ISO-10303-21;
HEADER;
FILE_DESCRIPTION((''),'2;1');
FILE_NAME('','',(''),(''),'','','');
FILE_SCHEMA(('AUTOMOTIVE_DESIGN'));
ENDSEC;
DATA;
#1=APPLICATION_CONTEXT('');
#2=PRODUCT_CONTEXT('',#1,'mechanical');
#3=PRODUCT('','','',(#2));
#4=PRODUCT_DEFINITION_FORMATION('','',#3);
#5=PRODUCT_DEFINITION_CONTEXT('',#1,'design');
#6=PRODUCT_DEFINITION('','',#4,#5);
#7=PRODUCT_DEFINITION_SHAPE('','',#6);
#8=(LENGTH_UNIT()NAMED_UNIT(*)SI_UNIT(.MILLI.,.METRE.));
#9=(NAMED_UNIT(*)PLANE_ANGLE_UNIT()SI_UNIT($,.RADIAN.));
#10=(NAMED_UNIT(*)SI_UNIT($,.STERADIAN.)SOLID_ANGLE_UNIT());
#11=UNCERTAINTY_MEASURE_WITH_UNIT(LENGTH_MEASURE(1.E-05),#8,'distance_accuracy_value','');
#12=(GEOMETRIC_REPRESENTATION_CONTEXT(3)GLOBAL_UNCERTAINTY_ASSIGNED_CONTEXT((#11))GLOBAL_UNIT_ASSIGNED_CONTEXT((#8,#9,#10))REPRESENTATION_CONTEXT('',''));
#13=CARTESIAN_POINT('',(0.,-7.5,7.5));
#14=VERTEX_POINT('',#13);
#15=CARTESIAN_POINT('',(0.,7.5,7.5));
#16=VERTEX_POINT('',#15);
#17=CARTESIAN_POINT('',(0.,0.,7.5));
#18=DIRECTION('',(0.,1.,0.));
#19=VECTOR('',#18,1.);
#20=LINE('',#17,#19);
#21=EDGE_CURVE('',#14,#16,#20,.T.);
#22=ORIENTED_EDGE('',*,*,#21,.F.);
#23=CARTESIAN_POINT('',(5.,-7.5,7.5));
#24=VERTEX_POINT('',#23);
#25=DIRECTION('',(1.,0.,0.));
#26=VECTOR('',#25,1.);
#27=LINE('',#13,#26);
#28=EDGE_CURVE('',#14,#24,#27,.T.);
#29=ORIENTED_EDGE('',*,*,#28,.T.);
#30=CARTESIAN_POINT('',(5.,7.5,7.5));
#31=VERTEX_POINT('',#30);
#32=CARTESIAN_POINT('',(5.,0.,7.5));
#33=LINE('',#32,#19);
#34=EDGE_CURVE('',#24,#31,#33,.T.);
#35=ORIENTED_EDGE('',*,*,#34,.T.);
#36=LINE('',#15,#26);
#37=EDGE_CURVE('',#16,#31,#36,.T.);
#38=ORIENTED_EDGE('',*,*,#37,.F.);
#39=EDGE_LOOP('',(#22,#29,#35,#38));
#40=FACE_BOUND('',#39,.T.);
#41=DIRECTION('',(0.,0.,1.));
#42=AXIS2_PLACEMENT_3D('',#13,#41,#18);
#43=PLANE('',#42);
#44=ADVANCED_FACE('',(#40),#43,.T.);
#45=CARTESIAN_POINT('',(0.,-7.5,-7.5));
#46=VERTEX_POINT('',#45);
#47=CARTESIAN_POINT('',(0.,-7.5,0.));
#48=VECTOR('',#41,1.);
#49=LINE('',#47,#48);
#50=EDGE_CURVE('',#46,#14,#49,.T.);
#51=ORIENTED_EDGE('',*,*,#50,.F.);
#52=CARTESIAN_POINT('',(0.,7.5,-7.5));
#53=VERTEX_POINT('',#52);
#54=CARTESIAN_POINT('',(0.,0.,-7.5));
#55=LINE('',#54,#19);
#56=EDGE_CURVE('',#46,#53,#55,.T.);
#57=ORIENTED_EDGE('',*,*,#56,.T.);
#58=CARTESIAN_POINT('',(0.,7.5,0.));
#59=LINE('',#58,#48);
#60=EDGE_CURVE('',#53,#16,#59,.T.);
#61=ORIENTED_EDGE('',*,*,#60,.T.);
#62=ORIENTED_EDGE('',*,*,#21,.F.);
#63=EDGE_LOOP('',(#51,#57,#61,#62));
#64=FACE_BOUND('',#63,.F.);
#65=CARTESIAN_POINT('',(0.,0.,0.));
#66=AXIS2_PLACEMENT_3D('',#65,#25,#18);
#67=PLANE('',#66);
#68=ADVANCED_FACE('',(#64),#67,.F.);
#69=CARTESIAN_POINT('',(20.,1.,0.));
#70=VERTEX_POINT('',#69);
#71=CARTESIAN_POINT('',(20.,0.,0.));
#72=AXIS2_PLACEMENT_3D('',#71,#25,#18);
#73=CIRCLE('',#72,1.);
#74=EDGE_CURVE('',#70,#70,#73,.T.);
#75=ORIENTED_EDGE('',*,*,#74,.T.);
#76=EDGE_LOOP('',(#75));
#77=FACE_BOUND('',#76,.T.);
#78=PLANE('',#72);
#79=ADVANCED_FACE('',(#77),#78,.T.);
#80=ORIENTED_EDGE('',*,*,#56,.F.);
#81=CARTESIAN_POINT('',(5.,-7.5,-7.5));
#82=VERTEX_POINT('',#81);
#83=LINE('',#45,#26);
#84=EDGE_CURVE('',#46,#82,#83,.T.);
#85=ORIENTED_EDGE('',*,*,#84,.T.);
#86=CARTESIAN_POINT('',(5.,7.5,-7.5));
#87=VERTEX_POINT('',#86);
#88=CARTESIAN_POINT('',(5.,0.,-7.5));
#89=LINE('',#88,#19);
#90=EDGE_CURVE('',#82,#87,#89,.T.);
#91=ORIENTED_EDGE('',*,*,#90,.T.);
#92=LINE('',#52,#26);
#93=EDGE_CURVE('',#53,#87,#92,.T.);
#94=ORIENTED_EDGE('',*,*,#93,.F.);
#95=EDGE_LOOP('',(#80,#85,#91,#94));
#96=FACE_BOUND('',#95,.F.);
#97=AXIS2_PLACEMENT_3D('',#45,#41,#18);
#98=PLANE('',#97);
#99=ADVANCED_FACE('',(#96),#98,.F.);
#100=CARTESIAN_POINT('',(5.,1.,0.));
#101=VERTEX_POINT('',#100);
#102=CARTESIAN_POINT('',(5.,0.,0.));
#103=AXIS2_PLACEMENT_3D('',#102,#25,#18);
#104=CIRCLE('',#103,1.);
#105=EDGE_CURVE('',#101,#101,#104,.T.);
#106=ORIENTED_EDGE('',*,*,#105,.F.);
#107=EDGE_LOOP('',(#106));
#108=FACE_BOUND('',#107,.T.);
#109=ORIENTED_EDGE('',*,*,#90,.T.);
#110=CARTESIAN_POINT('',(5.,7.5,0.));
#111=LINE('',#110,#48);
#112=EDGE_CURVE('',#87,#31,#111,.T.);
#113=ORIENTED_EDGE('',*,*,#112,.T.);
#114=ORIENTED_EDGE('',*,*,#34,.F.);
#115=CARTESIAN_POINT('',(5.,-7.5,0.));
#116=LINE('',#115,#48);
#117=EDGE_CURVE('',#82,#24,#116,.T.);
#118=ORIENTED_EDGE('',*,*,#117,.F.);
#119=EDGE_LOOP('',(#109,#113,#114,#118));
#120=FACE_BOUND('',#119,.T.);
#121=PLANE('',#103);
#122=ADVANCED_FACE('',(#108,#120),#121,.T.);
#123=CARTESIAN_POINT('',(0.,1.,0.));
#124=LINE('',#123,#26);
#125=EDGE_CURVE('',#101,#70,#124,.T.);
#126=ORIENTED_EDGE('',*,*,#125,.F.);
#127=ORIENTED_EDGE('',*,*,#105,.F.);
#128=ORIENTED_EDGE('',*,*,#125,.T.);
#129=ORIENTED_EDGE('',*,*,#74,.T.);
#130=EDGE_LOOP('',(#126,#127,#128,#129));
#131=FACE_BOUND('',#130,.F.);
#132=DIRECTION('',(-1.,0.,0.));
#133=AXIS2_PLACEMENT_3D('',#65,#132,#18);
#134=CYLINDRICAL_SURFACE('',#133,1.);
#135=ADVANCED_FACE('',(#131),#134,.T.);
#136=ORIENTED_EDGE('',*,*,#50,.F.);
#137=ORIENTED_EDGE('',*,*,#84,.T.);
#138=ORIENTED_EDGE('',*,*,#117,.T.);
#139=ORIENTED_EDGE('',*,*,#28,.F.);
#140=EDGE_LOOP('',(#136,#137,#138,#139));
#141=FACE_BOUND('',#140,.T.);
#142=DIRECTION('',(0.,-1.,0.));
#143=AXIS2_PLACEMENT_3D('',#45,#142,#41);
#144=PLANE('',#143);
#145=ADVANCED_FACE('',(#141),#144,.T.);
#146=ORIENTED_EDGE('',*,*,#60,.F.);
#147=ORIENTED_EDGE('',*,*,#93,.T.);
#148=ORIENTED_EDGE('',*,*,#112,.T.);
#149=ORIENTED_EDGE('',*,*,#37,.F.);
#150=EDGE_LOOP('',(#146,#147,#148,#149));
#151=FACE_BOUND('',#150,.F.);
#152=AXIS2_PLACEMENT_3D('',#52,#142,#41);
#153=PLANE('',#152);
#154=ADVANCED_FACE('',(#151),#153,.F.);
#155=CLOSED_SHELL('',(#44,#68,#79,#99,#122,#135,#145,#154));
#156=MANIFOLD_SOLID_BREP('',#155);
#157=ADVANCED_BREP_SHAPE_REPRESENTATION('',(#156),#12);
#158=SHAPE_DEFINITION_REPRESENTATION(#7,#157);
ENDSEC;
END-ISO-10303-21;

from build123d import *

# Parameters (mm, degrees)
F0_W     = 15
F0_H     = 15
F0_R     = 1
F1_DEPTH = 5
F2_DEPTH = 20


with BuildPart() as f1:
    # F0 (on Right) → F1 (new body)
    with BuildSketch(Plane.YZ):
        Rectangle(F0_W, F0_H)
        Circle(F0_R, mode=Mode.SUBTRACT)
    extrude(amount=F1_DEPTH)

    # F0 (on Right) → F2 (join)
    with BuildSketch(Plane.YZ):
        Circle(F0_R)
    extrude(amount=F2_DEPTH)


solid = f1.part
